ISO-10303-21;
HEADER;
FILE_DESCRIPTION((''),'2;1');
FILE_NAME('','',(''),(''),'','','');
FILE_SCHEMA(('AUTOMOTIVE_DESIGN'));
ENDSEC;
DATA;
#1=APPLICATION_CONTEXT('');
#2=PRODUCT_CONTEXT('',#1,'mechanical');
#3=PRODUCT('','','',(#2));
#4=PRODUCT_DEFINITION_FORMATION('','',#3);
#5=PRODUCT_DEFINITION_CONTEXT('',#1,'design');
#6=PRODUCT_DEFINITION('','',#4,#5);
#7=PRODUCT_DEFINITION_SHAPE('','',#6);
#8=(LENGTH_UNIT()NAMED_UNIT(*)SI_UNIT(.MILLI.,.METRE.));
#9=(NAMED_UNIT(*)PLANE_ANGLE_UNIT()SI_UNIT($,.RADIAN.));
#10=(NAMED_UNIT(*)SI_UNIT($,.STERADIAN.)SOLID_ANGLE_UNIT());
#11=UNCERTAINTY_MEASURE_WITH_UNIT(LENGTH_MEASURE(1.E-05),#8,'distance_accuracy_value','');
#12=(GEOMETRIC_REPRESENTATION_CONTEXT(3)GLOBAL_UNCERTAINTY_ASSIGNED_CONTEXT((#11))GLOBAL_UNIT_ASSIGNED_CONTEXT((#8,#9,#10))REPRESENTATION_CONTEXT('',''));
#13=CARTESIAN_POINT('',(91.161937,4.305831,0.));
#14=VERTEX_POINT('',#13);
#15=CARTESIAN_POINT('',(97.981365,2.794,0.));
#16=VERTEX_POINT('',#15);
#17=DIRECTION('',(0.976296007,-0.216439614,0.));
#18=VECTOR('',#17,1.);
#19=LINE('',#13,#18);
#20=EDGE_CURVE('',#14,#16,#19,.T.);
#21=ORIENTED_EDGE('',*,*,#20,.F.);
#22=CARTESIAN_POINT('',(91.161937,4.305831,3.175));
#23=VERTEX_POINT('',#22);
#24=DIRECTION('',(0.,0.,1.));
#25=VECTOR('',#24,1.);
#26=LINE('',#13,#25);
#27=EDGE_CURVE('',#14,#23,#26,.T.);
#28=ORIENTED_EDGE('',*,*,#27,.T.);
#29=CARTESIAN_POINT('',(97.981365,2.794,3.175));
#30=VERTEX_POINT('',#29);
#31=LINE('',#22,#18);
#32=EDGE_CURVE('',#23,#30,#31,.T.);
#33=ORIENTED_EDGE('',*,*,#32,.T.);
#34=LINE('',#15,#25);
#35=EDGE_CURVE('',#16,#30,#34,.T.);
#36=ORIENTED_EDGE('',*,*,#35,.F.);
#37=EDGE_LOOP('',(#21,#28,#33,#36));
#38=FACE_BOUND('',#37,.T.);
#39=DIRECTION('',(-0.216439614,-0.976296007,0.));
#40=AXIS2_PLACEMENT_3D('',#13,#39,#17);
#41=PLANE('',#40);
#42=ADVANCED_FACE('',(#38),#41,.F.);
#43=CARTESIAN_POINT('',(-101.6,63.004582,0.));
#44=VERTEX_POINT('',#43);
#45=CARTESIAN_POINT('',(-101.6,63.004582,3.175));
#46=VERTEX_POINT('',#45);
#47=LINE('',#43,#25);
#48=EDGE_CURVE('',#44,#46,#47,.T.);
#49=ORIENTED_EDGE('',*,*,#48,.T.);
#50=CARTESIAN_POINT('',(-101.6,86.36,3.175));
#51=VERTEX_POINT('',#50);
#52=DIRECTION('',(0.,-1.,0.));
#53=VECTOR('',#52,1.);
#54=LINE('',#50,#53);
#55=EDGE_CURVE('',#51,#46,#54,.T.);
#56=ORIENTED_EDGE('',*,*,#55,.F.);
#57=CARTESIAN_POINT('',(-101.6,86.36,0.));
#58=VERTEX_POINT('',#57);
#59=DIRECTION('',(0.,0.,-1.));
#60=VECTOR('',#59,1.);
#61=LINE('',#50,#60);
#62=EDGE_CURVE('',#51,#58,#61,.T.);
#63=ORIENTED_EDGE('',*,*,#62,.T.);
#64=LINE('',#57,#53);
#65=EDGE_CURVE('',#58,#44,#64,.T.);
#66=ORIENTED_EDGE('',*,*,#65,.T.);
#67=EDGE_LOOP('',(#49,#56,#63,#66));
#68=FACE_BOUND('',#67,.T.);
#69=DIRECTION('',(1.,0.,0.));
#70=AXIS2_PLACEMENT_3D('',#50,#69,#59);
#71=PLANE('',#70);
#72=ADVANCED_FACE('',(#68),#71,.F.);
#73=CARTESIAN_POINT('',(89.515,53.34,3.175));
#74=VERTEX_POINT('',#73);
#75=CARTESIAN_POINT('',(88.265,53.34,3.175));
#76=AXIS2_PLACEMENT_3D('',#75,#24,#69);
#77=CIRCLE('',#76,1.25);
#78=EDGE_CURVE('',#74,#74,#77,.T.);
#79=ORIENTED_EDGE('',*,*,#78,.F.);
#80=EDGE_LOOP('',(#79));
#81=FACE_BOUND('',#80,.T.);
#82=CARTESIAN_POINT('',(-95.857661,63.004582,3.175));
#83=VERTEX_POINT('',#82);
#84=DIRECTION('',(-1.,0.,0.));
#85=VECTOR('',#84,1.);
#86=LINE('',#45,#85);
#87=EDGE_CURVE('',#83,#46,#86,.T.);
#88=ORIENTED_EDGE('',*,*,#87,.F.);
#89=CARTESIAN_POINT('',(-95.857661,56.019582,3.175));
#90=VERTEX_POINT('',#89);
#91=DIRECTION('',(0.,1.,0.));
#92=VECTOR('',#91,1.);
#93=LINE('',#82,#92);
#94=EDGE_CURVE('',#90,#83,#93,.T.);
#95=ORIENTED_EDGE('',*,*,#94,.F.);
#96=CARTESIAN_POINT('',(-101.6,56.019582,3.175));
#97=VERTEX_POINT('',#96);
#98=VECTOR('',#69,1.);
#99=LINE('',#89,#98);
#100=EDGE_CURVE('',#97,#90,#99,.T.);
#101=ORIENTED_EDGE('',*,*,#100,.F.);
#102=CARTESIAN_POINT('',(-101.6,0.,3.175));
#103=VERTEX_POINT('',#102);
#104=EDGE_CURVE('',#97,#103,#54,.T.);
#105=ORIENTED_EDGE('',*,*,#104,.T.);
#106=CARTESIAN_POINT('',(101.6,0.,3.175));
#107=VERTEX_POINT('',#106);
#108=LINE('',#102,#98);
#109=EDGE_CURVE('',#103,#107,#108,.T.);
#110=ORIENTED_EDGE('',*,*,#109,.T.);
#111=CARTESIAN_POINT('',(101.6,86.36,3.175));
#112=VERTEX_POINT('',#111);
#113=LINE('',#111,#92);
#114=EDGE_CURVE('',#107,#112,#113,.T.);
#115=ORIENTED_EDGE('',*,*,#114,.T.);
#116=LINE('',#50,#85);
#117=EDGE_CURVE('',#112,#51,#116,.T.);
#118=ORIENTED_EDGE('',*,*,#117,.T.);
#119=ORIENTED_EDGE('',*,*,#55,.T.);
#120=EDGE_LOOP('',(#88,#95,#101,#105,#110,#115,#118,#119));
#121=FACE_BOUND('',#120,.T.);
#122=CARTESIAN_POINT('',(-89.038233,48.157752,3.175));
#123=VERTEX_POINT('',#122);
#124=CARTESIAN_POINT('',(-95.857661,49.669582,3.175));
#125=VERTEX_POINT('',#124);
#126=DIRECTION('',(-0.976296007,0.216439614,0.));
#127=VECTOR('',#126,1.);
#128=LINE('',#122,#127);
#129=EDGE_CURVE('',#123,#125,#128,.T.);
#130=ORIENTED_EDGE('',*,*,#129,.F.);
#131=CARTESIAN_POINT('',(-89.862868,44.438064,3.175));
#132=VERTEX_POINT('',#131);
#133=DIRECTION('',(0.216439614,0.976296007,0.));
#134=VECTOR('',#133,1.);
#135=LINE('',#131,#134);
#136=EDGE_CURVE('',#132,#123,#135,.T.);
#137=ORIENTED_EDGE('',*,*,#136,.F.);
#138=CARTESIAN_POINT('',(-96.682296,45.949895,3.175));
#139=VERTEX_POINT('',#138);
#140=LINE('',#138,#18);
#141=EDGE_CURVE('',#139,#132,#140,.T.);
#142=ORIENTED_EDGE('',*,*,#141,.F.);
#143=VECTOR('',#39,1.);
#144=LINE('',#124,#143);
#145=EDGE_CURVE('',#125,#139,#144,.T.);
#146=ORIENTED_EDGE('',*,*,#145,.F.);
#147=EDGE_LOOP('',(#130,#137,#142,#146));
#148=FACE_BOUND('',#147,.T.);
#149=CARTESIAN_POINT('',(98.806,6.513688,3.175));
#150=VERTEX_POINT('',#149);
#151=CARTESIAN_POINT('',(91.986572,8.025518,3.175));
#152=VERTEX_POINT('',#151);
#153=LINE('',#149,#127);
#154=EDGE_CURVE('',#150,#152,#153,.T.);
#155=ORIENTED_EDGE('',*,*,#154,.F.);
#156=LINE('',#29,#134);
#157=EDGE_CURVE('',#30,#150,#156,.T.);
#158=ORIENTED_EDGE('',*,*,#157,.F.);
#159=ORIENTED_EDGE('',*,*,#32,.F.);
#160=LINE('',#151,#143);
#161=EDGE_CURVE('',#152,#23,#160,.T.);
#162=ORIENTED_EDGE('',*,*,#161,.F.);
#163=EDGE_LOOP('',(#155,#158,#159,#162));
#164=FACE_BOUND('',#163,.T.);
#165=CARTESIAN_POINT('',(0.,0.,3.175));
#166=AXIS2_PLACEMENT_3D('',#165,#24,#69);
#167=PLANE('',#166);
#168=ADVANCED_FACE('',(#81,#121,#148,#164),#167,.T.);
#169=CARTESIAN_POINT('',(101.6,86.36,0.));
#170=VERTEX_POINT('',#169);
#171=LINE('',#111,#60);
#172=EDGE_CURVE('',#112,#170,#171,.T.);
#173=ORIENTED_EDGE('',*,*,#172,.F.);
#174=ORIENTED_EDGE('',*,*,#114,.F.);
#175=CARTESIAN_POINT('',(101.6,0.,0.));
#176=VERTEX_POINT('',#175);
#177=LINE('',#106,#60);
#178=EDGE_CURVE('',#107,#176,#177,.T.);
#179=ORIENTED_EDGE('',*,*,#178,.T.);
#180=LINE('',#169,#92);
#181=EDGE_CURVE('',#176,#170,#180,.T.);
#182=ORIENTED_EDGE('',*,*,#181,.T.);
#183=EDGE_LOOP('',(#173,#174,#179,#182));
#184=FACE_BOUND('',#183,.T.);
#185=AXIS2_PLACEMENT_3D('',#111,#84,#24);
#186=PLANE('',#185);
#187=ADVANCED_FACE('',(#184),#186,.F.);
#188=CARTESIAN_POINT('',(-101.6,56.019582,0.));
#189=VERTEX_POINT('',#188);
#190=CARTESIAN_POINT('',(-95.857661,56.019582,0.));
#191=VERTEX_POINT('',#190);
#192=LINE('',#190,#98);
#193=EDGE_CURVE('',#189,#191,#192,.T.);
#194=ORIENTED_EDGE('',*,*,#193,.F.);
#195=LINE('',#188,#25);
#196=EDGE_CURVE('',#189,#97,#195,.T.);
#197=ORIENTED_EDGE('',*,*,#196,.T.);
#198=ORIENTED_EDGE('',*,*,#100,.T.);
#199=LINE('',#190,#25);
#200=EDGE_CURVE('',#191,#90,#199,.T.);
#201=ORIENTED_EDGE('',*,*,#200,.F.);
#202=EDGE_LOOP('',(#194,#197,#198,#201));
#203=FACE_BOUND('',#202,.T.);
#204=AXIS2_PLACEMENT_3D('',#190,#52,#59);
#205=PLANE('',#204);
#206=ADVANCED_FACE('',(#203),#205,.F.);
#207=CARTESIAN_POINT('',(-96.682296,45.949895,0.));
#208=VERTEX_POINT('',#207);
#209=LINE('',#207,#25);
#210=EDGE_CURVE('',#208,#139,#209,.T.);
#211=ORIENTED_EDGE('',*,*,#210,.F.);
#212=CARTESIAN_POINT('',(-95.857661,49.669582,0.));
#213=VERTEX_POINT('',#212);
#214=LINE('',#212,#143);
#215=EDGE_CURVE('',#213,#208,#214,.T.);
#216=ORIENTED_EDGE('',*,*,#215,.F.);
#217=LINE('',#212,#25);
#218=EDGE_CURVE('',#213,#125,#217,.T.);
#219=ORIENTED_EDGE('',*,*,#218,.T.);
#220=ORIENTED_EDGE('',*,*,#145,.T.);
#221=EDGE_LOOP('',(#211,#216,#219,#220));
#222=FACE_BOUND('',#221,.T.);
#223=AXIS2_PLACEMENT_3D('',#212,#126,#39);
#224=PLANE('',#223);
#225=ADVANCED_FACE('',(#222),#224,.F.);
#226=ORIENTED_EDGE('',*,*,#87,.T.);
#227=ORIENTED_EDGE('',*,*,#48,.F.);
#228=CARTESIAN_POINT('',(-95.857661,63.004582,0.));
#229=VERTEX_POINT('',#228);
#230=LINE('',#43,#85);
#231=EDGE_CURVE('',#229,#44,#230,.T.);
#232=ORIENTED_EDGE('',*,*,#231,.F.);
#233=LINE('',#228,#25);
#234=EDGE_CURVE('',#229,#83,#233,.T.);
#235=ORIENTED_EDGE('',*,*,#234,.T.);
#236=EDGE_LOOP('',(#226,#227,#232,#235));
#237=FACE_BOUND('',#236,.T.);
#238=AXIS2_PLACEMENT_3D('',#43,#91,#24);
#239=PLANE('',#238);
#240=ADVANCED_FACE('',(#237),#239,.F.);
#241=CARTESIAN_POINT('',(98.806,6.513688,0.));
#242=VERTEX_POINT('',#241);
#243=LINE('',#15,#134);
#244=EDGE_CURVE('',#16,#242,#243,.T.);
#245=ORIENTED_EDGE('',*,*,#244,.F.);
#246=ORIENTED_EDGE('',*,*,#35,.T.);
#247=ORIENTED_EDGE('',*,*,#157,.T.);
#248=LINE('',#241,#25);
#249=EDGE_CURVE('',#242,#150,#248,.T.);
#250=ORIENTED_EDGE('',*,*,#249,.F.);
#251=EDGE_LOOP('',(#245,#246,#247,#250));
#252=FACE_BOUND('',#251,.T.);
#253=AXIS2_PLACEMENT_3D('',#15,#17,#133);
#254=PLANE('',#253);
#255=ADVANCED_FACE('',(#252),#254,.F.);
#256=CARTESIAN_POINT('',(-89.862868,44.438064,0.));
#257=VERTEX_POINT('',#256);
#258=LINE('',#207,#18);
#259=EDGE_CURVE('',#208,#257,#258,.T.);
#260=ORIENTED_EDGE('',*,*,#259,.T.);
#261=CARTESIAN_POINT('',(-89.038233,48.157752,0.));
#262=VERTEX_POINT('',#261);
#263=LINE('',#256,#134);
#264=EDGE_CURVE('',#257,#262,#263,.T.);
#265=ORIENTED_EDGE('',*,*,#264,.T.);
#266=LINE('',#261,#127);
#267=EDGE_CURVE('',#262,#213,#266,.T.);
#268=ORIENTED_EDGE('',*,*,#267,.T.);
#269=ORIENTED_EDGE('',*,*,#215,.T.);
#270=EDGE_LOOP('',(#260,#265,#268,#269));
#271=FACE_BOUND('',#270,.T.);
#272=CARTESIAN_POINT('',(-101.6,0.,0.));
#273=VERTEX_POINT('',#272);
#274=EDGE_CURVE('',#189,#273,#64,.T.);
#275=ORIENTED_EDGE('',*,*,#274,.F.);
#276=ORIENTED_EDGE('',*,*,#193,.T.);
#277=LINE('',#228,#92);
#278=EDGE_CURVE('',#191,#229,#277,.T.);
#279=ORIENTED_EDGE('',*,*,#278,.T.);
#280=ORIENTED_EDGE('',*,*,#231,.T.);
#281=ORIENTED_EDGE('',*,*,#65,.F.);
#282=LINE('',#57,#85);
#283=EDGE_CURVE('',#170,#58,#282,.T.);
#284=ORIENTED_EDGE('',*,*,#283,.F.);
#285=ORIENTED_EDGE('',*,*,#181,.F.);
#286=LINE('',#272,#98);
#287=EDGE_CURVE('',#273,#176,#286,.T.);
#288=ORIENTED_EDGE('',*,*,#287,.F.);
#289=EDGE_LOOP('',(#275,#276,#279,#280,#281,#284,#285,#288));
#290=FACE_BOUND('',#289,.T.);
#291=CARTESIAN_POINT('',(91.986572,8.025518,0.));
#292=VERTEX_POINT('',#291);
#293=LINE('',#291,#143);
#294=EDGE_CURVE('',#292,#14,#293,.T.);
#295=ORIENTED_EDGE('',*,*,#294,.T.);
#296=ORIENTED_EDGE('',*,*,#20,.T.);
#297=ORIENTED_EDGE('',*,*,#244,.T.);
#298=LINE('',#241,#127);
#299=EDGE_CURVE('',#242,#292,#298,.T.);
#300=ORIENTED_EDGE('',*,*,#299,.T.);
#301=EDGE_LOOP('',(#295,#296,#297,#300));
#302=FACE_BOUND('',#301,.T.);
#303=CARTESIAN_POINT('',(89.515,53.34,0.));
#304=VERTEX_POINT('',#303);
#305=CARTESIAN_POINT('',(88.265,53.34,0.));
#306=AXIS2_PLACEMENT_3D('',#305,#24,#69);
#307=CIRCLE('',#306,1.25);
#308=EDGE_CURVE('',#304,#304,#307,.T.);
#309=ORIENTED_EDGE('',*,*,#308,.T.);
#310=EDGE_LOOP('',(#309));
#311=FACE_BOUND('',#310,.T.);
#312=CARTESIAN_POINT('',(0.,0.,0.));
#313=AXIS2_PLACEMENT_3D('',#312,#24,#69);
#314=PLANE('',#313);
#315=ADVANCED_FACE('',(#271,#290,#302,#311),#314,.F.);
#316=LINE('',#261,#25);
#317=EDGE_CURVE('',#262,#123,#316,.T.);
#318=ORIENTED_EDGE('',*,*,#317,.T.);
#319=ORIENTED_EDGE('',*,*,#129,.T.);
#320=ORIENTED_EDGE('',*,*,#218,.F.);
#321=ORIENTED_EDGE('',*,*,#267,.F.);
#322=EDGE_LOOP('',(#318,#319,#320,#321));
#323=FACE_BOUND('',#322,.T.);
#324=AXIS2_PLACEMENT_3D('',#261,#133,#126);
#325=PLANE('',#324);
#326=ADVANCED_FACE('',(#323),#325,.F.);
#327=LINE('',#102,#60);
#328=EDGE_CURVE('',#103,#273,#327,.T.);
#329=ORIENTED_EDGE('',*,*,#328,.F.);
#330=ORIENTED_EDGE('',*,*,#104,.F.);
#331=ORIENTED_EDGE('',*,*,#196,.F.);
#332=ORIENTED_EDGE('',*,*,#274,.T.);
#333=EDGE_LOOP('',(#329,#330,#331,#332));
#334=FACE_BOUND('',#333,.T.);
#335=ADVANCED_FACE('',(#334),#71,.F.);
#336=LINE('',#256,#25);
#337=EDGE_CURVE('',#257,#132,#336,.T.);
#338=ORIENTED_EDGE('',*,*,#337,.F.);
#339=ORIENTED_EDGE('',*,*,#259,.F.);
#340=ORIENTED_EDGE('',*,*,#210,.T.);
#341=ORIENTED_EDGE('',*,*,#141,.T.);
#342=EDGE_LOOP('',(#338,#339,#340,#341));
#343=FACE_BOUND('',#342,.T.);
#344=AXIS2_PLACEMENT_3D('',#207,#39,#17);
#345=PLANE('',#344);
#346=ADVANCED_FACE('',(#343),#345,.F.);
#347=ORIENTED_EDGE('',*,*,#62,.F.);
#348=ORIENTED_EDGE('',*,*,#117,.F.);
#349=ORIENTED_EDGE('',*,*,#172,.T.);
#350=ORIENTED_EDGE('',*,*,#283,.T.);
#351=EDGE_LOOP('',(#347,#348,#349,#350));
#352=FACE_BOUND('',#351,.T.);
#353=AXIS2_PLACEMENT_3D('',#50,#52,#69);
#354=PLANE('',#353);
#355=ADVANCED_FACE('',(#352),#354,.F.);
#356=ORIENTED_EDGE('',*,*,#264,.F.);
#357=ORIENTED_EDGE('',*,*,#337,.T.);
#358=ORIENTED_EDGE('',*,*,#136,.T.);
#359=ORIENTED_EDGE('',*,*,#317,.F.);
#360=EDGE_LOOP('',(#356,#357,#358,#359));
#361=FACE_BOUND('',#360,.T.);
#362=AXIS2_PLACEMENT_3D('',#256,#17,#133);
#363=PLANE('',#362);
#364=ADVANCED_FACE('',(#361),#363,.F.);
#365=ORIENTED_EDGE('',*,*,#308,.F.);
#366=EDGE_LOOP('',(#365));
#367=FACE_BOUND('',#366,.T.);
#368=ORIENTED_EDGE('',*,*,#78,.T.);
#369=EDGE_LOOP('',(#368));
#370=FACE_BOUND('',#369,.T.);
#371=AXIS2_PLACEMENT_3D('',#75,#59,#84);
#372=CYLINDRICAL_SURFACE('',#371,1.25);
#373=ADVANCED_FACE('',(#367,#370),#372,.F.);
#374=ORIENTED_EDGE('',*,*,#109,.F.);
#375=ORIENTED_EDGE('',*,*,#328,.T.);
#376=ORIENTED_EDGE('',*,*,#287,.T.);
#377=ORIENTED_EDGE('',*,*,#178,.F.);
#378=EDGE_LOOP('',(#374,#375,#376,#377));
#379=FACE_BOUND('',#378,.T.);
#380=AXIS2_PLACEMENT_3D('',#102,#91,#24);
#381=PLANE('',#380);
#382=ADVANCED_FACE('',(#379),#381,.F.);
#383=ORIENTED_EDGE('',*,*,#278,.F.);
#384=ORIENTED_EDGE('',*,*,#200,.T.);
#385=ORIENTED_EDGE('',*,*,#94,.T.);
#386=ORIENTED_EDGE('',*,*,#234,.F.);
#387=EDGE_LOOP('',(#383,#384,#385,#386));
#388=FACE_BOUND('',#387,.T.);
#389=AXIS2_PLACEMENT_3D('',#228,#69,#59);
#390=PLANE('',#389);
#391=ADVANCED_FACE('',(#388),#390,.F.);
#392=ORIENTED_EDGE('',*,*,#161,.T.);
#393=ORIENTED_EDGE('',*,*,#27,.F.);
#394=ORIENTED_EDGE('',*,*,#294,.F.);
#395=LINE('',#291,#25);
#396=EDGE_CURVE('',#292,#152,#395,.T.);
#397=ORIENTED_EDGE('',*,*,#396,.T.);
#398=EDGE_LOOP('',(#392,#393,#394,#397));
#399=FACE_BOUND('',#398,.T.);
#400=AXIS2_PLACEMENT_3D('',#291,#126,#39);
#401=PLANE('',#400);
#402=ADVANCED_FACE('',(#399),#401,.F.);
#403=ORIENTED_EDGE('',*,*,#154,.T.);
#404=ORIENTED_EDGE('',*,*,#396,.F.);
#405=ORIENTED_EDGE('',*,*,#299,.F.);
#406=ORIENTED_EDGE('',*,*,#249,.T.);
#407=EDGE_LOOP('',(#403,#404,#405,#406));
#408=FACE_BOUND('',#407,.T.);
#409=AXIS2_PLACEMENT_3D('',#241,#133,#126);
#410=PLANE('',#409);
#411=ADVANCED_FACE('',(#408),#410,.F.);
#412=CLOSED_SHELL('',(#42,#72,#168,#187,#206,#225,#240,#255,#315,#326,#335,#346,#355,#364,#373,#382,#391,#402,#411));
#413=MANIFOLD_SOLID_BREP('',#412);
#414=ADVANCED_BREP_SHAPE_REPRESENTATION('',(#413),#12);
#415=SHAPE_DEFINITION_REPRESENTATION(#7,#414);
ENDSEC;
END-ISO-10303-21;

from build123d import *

# Parameters (mm, degrees)
SKETCH1_W           = 203.2
SKETCH1_H           = 86.36
SKETCH1_R           = 1.25
BOSS_EXTRUDE1_DEPTH = 3.175
CUT_EXTRUDE1_DEPTH  = 134.381746221
LPATTERN1_COUNT     = 2
LPATTERN1_PITCH     = 192.405
SKETCH4_W           = 5.74233914
SKETCH4_H           = 6.985
CUT_EXTRUDE2_DEPTH  = 134.381746221


with BuildPart() as part:
    # Sketch1 → Boss-Extrude1 (new body)
    with BuildSketch(Plane.XY):
        with Locations((0, 43.18)):
            Rectangle(SKETCH1_W, SKETCH1_H)
        with Locations((88.265, 53.34)):
            Circle(SKETCH1_R, mode=Mode.SUBTRACT)
    extrude(amount=BOSS_EXTRUDE1_DEPTH)

    # Sketch3 → Cut-Extrude1 (cut, through all)
    with BuildSketch(Plane.XY.offset(3.175)):
        Polygon((91.98657239, 8.02551849), (91.161937461, 4.305830703), (97.981365071, 2.794), (98.806, 6.513687787), align=None)
    cut_extrude1 = extrude(amount=-CUT_EXTRUDE1_DEPTH, mode=Mode.SUBTRACT)

    # LPattern1: Cut-Extrude1 ×2
    with Locations(*[Vector(-0.9762960071199333, 0.21643961393810354, 0) * (i * LPATTERN1_PITCH) for i in range(1, LPATTERN1_COUNT)]):
        add(cut_extrude1, mode=Mode.SUBTRACT)

    # Sketch4 → Cut-Extrude2 (cut, through all)
    with BuildSketch(Plane.XY.offset(3.175)):
        with Locations((-98.72883043, 59.51208241)):
            Rectangle(SKETCH4_W, SKETCH4_H)
    extrude(amount=-CUT_EXTRUDE2_DEPTH, mode=Mode.SUBTRACT)


solid = part.part
